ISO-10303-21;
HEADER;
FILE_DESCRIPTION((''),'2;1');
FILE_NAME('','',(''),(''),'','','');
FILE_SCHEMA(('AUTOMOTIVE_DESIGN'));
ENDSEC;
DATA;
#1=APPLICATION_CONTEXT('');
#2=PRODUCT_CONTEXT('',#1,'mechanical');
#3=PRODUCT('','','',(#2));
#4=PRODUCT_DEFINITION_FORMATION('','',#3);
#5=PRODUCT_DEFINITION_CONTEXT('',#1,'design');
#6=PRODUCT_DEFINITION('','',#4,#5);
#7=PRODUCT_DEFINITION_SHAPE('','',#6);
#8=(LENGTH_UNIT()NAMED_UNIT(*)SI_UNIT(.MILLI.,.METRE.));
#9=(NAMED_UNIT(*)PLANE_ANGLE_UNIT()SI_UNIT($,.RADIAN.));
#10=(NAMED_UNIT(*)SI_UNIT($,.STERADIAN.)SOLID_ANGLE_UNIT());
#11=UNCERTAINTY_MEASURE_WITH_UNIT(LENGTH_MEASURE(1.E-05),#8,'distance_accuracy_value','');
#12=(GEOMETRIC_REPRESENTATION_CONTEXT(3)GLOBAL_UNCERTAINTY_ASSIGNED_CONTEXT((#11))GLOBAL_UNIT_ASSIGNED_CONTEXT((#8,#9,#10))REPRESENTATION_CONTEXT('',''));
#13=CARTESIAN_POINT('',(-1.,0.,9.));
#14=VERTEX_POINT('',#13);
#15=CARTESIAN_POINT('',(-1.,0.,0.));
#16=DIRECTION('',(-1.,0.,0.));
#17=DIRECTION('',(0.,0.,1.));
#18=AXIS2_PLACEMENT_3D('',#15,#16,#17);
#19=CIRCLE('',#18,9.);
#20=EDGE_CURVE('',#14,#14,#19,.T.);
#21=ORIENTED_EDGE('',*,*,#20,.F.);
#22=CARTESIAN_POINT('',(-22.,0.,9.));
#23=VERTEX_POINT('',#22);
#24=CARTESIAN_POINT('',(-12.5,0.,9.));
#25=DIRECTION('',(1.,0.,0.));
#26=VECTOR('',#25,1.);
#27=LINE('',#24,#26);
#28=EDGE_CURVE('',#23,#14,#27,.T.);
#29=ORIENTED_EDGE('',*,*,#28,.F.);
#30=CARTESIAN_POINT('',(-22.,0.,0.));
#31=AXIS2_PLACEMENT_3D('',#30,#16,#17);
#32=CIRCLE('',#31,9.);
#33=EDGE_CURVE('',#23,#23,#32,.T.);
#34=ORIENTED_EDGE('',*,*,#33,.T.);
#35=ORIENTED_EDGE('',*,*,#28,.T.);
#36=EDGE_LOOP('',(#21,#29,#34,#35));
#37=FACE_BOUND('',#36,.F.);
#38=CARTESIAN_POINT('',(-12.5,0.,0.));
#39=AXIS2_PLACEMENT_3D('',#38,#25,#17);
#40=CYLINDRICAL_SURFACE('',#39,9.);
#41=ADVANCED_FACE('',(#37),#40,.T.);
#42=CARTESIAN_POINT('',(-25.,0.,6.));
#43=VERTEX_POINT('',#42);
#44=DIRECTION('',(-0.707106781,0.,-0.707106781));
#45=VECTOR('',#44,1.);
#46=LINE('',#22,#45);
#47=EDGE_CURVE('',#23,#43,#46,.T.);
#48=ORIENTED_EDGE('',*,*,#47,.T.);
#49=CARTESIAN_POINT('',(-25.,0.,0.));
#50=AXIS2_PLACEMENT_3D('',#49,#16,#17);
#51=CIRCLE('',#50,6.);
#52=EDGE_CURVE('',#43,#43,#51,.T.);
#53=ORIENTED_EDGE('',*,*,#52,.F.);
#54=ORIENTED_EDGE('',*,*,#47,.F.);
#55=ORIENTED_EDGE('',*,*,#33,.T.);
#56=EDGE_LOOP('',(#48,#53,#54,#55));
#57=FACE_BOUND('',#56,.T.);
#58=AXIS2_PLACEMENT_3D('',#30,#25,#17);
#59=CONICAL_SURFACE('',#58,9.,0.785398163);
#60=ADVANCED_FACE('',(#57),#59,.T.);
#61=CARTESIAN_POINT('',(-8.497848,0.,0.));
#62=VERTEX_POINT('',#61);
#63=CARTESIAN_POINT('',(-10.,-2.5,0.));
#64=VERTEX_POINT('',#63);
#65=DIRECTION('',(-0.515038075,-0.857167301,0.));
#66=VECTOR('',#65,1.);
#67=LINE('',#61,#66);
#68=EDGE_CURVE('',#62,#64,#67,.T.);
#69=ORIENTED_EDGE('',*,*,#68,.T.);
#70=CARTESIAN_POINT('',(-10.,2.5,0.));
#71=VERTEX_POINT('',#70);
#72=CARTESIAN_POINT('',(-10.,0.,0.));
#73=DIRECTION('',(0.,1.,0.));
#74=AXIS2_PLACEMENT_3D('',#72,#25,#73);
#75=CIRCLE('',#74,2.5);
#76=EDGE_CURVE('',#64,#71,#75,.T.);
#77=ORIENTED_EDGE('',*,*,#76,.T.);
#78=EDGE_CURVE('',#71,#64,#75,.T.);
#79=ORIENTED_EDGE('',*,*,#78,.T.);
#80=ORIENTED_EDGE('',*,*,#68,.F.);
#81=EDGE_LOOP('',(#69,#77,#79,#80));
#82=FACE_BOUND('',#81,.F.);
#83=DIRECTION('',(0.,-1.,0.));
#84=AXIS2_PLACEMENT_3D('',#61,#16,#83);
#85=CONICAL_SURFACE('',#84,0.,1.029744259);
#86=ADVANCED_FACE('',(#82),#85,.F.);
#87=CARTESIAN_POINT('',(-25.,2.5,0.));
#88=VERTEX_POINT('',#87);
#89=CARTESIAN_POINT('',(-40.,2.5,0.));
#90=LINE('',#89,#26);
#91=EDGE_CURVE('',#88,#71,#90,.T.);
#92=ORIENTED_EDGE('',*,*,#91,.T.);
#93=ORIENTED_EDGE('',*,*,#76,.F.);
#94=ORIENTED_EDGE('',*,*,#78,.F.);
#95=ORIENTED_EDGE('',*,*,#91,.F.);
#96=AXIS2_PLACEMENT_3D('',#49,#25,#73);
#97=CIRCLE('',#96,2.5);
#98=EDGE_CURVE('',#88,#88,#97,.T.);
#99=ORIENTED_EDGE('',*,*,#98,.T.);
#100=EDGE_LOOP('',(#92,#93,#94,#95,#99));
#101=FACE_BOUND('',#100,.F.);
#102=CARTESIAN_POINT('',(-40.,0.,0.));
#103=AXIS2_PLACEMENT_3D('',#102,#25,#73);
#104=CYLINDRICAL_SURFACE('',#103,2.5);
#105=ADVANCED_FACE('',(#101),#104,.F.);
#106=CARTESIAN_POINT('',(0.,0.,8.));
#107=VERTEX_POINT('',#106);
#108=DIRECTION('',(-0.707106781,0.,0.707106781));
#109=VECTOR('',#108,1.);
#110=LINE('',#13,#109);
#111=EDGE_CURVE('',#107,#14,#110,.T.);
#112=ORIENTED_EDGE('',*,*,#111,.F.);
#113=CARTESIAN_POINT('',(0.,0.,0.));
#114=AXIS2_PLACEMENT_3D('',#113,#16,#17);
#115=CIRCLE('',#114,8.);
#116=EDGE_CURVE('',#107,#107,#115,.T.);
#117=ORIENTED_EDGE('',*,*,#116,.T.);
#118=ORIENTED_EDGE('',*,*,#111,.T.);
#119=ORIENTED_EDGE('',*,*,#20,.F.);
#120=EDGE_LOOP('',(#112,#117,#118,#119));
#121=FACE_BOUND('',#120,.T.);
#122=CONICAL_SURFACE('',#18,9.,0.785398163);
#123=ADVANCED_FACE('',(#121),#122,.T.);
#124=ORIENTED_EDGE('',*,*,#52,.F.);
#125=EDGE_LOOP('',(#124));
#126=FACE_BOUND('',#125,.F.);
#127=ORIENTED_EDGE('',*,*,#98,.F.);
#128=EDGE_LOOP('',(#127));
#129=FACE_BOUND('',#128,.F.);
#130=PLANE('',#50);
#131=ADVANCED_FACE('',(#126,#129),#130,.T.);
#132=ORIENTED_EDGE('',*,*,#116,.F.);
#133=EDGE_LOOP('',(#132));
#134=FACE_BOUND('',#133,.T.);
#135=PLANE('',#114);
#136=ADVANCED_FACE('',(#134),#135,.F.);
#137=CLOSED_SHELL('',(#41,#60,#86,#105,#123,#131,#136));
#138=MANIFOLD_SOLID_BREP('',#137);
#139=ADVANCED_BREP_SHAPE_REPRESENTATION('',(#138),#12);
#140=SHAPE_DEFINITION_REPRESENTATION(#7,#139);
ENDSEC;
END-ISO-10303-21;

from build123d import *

# Parameters (mm, degrees)
F0_W     = 25
F0_H     = 9
F2_SIZE  = 1
F3_SIZE  = 3
F5_D     = 5
F5_DEPTH = 15
F5_TIP   = 1.5021515476


with BuildPart() as f1:
    # F0 (on Front) → F1 (revolve)
    with BuildSketch(Plane.XZ):
        with Locations((-12.5, 4.5)):
            Rectangle(F0_W, F0_H)
    revolve(axis=Axis((-12.5, 0, 0), (-1, 0, 0)))

    # F2
    f2_edges = [f1.edges().sort_by_distance(p)[0] for p in [
        (0, 0, -9),
    ]]
    chamfer(f2_edges, length=F2_SIZE)

    # F3
    f3_edges = [f1.edges().sort_by_distance(p)[0] for p in [
        (-25, 0, -9),
    ]]
    chamfer(f3_edges, length=F3_SIZE)

    # F5
    with Locations(Plane(origin=(-25, 0, 0), x_dir=(0, -1, 0), z_dir=(-1, 0, 0))):
        with Locations((0, 0)):
            Hole(F5_D / 2, depth=F5_DEPTH)
            with Locations((0, 0, -(F5_DEPTH + F5_TIP / 2))):  # 118° drill point
                Cone(0, F5_D / 2, F5_TIP, mode=Mode.SUBTRACT)


solid = f1.part
